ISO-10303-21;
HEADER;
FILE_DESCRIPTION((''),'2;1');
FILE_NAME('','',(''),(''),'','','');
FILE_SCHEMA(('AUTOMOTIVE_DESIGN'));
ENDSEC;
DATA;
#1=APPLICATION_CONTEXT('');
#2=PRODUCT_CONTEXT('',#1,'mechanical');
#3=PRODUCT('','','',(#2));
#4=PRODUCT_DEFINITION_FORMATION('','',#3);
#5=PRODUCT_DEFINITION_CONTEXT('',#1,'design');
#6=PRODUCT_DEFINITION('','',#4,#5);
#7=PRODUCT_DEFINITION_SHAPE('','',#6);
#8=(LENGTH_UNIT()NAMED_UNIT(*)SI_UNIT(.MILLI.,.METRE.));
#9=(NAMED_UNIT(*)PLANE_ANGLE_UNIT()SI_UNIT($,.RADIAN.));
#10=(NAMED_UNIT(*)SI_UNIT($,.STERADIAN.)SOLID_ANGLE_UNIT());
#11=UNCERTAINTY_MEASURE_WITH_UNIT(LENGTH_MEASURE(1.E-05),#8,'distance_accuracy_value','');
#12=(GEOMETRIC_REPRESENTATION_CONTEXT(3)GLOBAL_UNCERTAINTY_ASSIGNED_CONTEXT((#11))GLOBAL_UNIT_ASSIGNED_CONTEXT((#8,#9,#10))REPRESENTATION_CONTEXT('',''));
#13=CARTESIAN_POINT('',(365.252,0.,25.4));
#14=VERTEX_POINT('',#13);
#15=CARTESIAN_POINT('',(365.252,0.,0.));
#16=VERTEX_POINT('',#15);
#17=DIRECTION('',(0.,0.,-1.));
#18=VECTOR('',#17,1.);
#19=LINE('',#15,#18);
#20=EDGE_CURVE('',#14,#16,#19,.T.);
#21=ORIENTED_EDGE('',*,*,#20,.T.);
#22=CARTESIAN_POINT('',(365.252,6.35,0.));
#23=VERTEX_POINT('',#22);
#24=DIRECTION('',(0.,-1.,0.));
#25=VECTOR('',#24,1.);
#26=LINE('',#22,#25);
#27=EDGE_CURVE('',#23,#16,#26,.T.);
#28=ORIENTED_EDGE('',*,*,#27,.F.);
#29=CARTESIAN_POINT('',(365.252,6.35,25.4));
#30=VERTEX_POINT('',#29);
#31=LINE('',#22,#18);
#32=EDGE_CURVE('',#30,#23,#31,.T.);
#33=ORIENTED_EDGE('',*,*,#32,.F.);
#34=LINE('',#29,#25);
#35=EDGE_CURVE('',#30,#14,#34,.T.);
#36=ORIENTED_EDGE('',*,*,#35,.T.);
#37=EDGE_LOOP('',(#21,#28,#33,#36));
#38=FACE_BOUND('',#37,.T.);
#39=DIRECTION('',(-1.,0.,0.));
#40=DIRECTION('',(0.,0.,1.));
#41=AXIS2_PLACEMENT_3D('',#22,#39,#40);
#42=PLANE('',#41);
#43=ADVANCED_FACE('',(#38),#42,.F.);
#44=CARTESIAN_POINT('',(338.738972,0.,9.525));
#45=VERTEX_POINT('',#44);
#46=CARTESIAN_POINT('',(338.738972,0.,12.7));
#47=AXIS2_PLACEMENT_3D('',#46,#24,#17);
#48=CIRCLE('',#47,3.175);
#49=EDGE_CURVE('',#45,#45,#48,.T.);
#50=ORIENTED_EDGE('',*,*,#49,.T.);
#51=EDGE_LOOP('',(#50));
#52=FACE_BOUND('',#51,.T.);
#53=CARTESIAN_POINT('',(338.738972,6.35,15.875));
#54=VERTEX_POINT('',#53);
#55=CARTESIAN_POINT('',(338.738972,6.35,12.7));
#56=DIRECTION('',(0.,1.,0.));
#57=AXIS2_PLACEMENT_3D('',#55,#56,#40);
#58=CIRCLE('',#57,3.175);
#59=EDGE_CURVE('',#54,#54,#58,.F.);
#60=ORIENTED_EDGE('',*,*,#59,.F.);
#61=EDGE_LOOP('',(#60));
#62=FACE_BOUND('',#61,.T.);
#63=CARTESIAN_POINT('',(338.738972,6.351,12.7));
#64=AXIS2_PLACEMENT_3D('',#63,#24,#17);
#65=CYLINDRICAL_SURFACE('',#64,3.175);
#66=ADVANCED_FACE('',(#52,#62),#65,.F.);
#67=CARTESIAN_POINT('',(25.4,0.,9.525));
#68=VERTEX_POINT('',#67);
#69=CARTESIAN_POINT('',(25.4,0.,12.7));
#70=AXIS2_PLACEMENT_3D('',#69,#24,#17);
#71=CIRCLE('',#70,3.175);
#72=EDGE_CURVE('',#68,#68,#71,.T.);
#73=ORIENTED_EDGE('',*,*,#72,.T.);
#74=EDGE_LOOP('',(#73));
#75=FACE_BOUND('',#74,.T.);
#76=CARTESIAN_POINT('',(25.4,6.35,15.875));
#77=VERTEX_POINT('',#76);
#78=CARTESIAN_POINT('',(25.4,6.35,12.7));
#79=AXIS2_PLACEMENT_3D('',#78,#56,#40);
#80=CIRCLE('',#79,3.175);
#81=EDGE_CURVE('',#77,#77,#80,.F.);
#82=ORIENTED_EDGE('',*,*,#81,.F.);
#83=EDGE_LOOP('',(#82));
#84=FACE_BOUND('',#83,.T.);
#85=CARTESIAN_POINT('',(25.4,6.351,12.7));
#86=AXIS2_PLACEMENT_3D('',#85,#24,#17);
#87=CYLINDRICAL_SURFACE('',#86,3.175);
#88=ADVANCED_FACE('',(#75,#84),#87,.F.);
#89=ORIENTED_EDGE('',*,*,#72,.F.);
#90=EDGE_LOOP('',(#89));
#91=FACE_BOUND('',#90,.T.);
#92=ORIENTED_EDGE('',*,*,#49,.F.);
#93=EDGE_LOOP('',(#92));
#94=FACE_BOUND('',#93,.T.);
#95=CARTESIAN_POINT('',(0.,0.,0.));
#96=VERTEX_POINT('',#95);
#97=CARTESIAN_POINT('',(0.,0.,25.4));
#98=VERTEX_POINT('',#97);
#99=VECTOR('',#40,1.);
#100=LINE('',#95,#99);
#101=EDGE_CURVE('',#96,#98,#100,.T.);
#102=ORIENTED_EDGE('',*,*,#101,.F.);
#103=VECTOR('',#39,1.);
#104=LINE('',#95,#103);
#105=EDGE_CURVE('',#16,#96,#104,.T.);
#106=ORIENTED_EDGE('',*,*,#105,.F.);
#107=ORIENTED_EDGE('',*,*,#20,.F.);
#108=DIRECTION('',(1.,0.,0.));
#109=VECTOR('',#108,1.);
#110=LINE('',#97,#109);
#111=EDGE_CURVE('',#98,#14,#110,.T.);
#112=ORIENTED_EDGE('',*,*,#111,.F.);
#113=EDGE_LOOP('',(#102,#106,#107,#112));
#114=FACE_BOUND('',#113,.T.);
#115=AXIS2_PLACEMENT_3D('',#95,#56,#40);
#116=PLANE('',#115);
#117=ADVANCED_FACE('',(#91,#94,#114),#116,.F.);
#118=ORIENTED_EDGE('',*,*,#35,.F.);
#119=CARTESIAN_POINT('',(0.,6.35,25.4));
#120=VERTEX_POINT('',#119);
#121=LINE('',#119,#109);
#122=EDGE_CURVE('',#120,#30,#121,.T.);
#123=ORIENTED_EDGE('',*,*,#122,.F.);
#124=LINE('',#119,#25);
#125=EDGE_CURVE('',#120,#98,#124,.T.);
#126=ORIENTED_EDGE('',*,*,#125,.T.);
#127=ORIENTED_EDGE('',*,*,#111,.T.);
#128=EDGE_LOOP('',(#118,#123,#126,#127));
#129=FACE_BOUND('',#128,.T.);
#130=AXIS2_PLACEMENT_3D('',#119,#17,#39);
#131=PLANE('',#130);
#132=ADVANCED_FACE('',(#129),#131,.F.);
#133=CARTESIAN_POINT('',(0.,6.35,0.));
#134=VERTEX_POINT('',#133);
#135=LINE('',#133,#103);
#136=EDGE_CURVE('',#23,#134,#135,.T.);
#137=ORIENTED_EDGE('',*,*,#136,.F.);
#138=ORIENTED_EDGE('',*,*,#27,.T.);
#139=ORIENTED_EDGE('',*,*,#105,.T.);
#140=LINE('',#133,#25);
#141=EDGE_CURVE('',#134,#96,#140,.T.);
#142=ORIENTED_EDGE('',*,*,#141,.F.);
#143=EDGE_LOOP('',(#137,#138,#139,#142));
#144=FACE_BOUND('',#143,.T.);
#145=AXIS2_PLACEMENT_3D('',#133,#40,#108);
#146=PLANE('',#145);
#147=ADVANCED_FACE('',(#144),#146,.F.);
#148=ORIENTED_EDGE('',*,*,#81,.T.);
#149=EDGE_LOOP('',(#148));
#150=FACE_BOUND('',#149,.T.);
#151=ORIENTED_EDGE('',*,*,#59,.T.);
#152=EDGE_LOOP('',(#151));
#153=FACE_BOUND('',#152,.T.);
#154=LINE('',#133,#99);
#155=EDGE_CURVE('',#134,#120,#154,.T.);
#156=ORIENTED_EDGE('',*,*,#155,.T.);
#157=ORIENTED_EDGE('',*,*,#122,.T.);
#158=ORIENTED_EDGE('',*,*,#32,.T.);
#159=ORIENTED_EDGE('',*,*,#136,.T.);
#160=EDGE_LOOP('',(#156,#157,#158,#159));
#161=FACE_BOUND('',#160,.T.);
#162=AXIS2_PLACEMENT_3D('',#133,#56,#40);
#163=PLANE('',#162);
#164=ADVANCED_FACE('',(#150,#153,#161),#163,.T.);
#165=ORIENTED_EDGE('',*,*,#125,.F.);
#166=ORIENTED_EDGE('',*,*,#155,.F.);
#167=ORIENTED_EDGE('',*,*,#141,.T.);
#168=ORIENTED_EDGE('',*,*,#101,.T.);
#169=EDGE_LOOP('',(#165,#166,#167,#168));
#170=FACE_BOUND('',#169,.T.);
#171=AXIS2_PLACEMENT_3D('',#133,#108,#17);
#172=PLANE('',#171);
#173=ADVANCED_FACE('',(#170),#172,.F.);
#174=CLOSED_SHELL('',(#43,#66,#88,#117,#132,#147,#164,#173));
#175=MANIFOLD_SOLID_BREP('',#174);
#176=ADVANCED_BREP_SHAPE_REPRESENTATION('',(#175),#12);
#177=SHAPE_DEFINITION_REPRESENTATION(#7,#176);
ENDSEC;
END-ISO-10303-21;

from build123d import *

# Parameters (mm, degrees)
SKETCH1_W           = 365.252
SKETCH1_H           = 25.4
BOSS_EXTRUDE1_DEPTH = 6.35
CUT_EXTRUDE1_REACH  = 368.189
SKETCH2_R           = 3.175


with BuildPart() as part:
    # Sketch1 → Boss-Extrude1 (new body)
    with BuildSketch(Plane(origin=(0, 0, 0), x_dir=(1, 0, 0), z_dir=(0, 1, 0))):
        with Locations((182.626, -12.7)):
            Rectangle(SKETCH1_W, SKETCH1_H)
    extrude(amount=BOSS_EXTRUDE1_DEPTH)

    # Sketch2 → Cut-Extrude1 (cut, up to next)
    with BuildSketch(Plane.XZ, mode=Mode.PRIVATE) as cut_extrude1_sk1:
        with Locations(Location((25.4, 12.7, 0), (0, 0, 270))):
            Circle(SKETCH2_R)
    cut_extrude1_tool1 = extrude(cut_extrude1_sk1.sketch, amount=-CUT_EXTRUDE1_REACH, mode=Mode.PRIVATE) & part.part
    # Sketch2 → Cut-Extrude1 (cut, up to next)
    with BuildSketch(Plane.XZ, mode=Mode.PRIVATE) as cut_extrude1_sk2:
        with Locations(Location((338.738972, 12.7, 0), (0, 0, 270))):
            Circle(SKETCH2_R)
    cut_extrude1_tool2 = extrude(cut_extrude1_sk2.sketch, amount=-CUT_EXTRUDE1_REACH, mode=Mode.PRIVATE) & part.part
    add(cut_extrude1_tool1.solids().sort_by_distance((25.4, 0, 12.7))[0], mode=Mode.SUBTRACT)
    add(cut_extrude1_tool2.solids().sort_by_distance((338.738972, 0, 12.7))[0], mode=Mode.SUBTRACT)


solid = part.part
